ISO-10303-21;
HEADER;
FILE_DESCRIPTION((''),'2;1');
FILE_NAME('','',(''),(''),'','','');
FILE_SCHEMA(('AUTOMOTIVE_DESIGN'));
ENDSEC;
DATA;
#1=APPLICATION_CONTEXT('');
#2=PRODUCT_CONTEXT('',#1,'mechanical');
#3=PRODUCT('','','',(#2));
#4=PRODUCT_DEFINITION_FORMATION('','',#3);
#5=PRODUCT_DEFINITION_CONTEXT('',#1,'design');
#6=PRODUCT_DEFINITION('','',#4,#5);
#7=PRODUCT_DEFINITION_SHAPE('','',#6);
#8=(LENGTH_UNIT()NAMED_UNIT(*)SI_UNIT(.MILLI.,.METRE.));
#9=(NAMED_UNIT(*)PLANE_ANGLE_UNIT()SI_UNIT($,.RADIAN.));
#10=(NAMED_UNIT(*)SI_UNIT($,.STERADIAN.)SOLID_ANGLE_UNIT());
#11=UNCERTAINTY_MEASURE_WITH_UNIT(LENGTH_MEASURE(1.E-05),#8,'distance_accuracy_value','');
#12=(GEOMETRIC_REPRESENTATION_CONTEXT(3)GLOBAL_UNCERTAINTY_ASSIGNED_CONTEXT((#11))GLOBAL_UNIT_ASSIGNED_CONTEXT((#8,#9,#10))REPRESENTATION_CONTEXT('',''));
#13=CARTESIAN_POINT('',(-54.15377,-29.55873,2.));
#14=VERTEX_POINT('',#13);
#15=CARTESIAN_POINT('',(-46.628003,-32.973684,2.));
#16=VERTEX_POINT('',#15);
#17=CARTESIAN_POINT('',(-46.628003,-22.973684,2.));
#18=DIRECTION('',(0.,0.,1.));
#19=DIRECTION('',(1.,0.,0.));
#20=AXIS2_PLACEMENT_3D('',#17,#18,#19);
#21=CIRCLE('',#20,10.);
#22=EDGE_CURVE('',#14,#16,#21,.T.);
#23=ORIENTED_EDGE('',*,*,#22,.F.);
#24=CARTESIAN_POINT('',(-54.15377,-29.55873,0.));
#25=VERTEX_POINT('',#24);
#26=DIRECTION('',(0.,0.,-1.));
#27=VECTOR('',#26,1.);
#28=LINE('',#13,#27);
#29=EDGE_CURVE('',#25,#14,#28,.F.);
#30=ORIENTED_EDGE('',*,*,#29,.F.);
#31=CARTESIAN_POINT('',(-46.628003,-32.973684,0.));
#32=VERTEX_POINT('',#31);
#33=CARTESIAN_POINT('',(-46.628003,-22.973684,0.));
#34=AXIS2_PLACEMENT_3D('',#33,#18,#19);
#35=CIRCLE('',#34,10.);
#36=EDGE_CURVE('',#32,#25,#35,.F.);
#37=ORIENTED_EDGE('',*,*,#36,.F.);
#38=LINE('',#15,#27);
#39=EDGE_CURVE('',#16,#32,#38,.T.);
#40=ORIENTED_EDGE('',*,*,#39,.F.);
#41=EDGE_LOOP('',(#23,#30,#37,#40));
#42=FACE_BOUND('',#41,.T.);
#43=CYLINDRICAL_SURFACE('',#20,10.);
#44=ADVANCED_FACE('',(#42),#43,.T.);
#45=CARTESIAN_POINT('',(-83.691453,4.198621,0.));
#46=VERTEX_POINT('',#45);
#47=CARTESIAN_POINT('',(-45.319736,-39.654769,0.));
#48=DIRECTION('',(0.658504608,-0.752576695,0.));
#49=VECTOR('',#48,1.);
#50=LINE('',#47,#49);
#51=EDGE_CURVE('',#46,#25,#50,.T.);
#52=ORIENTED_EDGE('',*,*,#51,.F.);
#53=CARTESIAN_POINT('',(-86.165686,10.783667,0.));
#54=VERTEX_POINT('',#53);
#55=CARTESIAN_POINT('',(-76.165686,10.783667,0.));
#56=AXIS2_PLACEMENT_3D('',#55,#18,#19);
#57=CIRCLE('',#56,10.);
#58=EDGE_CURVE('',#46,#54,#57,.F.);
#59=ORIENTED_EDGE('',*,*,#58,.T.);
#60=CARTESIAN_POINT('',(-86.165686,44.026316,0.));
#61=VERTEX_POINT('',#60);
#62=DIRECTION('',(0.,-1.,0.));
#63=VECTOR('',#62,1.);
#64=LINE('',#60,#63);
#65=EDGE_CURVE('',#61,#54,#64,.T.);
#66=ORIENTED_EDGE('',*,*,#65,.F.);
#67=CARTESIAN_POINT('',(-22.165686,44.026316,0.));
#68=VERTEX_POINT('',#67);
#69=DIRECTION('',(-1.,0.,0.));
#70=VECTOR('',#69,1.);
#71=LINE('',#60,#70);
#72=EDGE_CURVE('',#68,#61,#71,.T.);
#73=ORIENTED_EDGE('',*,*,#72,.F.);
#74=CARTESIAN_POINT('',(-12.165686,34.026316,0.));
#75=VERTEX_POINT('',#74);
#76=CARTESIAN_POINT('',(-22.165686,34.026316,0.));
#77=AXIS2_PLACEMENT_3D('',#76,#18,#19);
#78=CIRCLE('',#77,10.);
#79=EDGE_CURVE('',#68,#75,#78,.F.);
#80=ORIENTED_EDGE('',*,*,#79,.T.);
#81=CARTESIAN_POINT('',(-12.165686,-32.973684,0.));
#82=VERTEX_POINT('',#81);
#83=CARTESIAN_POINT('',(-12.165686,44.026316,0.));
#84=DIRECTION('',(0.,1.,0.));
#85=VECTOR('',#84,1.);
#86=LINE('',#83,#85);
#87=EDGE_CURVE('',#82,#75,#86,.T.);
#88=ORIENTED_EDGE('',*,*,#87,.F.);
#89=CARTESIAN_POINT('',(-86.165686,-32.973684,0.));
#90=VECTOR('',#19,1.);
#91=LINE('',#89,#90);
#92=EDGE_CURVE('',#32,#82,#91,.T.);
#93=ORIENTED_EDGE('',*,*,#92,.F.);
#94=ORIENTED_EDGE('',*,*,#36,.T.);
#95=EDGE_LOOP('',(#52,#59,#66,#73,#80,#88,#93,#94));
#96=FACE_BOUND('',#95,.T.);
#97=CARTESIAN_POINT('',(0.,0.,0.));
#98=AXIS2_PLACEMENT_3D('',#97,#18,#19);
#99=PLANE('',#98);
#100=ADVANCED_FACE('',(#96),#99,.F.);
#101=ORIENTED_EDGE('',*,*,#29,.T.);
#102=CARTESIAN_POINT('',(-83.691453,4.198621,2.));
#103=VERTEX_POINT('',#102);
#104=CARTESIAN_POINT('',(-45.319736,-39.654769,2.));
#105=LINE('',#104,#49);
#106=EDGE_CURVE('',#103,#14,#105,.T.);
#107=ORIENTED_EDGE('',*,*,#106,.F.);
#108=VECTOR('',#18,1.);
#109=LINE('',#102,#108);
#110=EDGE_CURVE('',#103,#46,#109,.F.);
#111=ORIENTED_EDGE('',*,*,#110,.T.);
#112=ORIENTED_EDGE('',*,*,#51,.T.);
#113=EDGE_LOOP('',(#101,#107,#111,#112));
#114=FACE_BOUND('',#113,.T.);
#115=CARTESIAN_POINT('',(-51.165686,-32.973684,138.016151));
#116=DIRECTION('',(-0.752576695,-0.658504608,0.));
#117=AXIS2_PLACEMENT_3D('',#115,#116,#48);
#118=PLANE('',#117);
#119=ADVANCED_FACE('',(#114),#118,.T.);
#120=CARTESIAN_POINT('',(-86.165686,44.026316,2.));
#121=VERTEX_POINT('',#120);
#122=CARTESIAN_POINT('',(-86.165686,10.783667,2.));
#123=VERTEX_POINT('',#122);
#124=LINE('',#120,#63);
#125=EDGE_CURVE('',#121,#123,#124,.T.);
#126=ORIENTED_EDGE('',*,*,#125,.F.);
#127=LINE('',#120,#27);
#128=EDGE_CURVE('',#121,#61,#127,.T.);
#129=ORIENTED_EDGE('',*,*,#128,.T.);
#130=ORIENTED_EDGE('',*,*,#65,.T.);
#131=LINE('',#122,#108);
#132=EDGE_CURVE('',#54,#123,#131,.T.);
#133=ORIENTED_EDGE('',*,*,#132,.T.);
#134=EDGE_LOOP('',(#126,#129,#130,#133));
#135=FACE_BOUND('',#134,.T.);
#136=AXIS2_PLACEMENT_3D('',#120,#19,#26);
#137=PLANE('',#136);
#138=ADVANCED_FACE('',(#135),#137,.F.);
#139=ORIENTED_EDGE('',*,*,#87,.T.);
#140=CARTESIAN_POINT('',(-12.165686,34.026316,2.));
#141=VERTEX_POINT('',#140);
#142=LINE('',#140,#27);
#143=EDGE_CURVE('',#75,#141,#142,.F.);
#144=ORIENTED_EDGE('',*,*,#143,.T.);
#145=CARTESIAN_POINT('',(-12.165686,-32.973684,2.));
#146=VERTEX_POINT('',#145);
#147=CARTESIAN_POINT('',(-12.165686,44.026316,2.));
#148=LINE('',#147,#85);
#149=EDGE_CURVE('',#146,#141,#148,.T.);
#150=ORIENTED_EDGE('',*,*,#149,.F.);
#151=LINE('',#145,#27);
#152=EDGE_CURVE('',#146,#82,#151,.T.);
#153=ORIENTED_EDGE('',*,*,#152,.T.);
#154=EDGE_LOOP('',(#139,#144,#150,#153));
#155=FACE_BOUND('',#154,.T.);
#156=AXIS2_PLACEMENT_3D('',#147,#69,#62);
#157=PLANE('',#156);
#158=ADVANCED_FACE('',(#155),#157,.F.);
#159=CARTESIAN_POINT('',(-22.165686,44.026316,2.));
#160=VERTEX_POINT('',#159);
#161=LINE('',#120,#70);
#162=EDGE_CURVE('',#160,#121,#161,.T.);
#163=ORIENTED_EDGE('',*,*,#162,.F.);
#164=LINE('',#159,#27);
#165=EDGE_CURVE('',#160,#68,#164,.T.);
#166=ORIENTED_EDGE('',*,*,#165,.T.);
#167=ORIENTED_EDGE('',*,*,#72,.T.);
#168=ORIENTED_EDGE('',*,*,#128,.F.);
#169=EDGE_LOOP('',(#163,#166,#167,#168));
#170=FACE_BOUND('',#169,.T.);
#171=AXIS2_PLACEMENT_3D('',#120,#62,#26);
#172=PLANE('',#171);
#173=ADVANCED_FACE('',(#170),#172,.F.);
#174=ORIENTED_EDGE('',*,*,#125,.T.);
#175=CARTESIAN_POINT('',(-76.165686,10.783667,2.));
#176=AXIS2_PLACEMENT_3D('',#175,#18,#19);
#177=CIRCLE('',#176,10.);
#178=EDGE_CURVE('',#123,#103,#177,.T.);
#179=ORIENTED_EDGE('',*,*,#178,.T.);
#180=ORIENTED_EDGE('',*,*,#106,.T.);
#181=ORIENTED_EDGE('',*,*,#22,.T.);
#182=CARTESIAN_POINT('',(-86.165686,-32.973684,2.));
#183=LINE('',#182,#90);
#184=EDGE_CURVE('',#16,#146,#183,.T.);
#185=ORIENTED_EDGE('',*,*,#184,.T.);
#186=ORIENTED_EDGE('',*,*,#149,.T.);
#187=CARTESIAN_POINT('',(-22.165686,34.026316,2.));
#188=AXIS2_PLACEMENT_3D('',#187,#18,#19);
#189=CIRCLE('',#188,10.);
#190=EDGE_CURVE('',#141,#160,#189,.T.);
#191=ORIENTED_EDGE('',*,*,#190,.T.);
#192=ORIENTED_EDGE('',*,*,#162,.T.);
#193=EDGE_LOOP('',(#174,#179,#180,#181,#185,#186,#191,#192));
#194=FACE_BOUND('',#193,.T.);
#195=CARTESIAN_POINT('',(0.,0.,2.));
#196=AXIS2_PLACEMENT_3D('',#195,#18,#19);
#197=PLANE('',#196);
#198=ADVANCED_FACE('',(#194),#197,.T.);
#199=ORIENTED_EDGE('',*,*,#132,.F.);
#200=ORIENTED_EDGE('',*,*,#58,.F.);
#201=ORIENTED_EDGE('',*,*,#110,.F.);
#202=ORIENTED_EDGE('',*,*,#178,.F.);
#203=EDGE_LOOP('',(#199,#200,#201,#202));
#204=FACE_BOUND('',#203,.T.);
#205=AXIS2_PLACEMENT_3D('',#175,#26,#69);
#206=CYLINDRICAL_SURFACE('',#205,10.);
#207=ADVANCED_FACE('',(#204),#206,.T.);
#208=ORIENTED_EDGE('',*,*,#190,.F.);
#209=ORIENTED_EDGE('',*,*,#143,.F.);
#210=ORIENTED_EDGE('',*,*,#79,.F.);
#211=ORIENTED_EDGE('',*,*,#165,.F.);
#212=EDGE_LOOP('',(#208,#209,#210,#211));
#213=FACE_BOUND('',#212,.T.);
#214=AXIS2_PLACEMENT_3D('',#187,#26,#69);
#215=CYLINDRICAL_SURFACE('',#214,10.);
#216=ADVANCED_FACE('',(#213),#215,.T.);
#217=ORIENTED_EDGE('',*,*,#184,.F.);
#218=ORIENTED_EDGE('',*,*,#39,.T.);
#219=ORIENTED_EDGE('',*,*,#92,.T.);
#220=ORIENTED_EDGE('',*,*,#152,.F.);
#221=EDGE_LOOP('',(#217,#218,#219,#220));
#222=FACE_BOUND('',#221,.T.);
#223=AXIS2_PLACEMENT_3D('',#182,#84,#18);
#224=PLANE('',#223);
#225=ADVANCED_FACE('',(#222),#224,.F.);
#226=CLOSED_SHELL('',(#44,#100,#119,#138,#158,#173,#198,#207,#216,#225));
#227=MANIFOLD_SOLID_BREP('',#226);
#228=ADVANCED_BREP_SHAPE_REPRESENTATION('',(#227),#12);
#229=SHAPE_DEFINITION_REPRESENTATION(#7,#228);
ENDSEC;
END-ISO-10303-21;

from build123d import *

# Parameters (mm, degrees)
ESBO_O1_W                  = 74
ESBO_O1_H                  = 77
RESSALTO_EXTRUS_O1_DEPTH   = 2
CORTE_EXTRUS_O1_DEPTH      = 1
CORTE_EXTRUS_O1_DEPTH_BACK = 3
FILETE1_R                  = 10
FILETE2_R                  = 10
FILETE3_R                  = 10


with BuildPart() as part:
    # Esboço1 → Ressalto-extrusão1 (new body)
    with BuildSketch(Plane.XY):
        with Locations((-49.165685596, 5.526315789)):
            Rectangle(ESBO_O1_W, ESBO_O1_H)
    extrude(amount=RESSALTO_EXTRUS_O1_DEPTH)

    # Esboço2 → Corte-extrusão1 (cut, two sides)
    with BuildSketch(Plane.XY.offset(2)) as corte_extrus_o1_sk:
        Polygon((69.094880688, -170.414331392), (-51.165685596, -32.973684211), (-86.165685596, 7.026315789), (-206.426251879, 144.46696297), (-481.307546241, -96.054169596), (-205.786413674, -410.935463958), align=None)
    extrude(amount=CORTE_EXTRUS_O1_DEPTH, mode=Mode.SUBTRACT)
    extrude(corte_extrus_o1_sk.sketch, amount=-CORTE_EXTRUS_O1_DEPTH_BACK, mode=Mode.SUBTRACT)

    # Filete1
    filete1_edges = [part.edges().sort_by_distance(p)[0] for p in [
        (-86.165685596, 7.026315789, 1),
    ]]
    fillet(filete1_edges, radius=FILETE1_R)

    # Filete2
    filete2_edges = [part.edges().sort_by_distance(p)[0] for p in [
        (-51.165685596, -32.973684211, 1),
    ]]
    fillet(filete2_edges, radius=FILETE2_R)

    # Filete3
    filete3_edges = [part.edges().sort_by_distance(p)[0] for p in [
        (-12.165685596, 44.026315789, 1),
    ]]
    fillet(filete3_edges, radius=FILETE3_R)


solid = part.part
